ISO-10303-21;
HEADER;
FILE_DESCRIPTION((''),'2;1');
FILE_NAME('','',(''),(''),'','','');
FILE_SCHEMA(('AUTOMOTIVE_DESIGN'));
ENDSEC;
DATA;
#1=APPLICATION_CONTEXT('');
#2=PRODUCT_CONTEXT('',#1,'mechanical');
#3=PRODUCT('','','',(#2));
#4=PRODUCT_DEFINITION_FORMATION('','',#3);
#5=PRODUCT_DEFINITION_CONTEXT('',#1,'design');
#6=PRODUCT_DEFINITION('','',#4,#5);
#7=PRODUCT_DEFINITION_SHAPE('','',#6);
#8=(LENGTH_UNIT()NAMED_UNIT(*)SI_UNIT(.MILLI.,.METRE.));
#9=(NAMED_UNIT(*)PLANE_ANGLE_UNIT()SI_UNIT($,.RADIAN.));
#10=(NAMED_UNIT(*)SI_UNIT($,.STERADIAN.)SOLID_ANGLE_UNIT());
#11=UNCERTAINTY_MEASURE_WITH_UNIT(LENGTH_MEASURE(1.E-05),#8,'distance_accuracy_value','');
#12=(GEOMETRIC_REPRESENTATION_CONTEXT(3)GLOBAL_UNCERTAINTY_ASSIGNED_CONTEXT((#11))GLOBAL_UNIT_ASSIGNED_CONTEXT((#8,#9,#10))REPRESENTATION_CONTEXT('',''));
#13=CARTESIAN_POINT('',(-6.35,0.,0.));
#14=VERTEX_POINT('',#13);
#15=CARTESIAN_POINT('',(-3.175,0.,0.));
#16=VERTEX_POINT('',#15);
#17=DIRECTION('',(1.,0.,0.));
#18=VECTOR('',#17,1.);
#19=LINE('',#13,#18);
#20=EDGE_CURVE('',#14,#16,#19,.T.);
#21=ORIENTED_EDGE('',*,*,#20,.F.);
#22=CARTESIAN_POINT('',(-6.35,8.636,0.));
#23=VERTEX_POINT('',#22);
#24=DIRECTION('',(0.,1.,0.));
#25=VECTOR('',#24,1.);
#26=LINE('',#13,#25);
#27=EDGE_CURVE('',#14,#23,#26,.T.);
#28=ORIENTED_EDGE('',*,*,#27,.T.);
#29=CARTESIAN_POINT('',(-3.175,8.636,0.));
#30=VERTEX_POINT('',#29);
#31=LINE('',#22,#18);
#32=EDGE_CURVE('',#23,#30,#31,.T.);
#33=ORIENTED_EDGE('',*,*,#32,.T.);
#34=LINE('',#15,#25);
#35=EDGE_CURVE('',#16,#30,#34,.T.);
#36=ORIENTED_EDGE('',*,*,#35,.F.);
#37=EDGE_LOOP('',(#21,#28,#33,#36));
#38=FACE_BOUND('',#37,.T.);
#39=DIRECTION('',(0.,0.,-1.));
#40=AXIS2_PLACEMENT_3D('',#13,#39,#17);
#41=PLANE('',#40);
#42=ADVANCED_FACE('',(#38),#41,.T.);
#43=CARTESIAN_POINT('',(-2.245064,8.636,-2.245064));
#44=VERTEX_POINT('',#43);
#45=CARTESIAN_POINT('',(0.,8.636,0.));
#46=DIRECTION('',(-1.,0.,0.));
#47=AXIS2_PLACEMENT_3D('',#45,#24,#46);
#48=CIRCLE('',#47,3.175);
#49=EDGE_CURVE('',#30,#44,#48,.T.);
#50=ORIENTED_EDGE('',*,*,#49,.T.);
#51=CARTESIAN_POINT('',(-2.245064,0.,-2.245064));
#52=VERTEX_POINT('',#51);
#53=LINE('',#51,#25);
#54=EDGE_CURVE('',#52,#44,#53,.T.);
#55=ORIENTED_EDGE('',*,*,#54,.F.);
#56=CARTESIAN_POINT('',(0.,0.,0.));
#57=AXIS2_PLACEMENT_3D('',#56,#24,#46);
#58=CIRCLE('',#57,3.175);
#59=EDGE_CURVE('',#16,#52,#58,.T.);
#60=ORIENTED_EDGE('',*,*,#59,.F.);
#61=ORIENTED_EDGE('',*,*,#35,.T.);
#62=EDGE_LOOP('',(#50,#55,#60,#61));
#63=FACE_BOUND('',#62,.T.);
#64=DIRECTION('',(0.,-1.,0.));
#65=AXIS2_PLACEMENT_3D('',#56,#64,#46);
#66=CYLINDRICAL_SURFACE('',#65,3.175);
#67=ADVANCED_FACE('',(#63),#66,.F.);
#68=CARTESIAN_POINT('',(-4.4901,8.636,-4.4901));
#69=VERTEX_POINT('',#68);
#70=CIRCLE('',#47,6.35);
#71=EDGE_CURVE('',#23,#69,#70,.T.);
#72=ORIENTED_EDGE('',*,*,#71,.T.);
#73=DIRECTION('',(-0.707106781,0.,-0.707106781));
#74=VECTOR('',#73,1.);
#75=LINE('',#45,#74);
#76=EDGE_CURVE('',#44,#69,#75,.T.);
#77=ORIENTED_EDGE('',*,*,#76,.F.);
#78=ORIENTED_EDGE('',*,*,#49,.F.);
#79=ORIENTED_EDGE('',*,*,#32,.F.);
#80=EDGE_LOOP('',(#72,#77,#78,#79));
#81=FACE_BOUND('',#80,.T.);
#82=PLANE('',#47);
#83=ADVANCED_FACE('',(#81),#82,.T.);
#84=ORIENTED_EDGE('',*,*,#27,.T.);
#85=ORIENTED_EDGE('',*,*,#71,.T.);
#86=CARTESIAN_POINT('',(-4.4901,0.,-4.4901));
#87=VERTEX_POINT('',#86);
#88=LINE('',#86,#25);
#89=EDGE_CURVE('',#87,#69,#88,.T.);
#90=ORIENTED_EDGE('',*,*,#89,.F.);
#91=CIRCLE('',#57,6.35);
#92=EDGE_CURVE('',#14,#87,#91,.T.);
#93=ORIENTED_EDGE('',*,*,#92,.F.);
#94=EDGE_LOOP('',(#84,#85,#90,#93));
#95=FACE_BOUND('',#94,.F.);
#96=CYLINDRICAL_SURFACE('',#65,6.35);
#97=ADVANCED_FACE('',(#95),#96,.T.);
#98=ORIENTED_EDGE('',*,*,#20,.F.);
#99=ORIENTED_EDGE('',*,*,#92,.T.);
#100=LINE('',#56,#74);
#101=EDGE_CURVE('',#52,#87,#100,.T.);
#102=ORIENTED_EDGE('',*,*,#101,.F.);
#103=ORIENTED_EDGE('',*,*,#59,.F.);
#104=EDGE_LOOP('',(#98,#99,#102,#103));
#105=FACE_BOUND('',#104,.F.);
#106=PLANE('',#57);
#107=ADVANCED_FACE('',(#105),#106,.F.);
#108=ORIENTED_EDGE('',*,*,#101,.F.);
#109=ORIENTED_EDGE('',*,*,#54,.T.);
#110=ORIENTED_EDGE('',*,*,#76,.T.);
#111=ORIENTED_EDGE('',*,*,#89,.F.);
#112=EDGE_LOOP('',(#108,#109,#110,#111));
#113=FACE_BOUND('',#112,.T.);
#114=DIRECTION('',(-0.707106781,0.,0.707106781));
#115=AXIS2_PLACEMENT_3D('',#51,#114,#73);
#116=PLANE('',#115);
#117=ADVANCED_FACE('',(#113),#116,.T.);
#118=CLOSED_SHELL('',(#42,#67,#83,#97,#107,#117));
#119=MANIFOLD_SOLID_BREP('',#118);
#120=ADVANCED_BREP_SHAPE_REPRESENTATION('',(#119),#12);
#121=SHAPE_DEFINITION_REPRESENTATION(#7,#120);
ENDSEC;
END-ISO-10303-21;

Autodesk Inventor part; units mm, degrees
ref_plane "YZ Plane" through (0, 0, 0) normal (1, 0, 0) x (0, 1, 0)
ref_plane "XZ Plane" through (0, 0, 0) normal (0, 1, 0) x (-1, 0, 0)
ref_plane "XY Plane" through (0, 0, 0) normal (0, 0, 1) x (1, 0, 0)
sketch "Sketch1" plane through (0, 0, 0) normal (0, 1, 0) x (-1, 0, 0)
  circle A0 centre (0, 0) radius 3.175
  circle A1 centre (0, 0) radius 6.35
  line L0 (6.35, 0) -> (0, 0)
  line L1 (0, 0) -> (4.4901, -4.4901)
  point P0 (2.2451, -2.2451)
  point P1 (3.175, 0)
  dimension "d0" = 6.35
  dimension "d1" = 12.7
  dimension "d2" = 45
extrude "Extrusion1" add sketch "Sketch1" along normal blind 8.636 contours A0 L1 A1 L0 picked at (-0.4127, 5.2358)
properties part number "Piston Spacer"
